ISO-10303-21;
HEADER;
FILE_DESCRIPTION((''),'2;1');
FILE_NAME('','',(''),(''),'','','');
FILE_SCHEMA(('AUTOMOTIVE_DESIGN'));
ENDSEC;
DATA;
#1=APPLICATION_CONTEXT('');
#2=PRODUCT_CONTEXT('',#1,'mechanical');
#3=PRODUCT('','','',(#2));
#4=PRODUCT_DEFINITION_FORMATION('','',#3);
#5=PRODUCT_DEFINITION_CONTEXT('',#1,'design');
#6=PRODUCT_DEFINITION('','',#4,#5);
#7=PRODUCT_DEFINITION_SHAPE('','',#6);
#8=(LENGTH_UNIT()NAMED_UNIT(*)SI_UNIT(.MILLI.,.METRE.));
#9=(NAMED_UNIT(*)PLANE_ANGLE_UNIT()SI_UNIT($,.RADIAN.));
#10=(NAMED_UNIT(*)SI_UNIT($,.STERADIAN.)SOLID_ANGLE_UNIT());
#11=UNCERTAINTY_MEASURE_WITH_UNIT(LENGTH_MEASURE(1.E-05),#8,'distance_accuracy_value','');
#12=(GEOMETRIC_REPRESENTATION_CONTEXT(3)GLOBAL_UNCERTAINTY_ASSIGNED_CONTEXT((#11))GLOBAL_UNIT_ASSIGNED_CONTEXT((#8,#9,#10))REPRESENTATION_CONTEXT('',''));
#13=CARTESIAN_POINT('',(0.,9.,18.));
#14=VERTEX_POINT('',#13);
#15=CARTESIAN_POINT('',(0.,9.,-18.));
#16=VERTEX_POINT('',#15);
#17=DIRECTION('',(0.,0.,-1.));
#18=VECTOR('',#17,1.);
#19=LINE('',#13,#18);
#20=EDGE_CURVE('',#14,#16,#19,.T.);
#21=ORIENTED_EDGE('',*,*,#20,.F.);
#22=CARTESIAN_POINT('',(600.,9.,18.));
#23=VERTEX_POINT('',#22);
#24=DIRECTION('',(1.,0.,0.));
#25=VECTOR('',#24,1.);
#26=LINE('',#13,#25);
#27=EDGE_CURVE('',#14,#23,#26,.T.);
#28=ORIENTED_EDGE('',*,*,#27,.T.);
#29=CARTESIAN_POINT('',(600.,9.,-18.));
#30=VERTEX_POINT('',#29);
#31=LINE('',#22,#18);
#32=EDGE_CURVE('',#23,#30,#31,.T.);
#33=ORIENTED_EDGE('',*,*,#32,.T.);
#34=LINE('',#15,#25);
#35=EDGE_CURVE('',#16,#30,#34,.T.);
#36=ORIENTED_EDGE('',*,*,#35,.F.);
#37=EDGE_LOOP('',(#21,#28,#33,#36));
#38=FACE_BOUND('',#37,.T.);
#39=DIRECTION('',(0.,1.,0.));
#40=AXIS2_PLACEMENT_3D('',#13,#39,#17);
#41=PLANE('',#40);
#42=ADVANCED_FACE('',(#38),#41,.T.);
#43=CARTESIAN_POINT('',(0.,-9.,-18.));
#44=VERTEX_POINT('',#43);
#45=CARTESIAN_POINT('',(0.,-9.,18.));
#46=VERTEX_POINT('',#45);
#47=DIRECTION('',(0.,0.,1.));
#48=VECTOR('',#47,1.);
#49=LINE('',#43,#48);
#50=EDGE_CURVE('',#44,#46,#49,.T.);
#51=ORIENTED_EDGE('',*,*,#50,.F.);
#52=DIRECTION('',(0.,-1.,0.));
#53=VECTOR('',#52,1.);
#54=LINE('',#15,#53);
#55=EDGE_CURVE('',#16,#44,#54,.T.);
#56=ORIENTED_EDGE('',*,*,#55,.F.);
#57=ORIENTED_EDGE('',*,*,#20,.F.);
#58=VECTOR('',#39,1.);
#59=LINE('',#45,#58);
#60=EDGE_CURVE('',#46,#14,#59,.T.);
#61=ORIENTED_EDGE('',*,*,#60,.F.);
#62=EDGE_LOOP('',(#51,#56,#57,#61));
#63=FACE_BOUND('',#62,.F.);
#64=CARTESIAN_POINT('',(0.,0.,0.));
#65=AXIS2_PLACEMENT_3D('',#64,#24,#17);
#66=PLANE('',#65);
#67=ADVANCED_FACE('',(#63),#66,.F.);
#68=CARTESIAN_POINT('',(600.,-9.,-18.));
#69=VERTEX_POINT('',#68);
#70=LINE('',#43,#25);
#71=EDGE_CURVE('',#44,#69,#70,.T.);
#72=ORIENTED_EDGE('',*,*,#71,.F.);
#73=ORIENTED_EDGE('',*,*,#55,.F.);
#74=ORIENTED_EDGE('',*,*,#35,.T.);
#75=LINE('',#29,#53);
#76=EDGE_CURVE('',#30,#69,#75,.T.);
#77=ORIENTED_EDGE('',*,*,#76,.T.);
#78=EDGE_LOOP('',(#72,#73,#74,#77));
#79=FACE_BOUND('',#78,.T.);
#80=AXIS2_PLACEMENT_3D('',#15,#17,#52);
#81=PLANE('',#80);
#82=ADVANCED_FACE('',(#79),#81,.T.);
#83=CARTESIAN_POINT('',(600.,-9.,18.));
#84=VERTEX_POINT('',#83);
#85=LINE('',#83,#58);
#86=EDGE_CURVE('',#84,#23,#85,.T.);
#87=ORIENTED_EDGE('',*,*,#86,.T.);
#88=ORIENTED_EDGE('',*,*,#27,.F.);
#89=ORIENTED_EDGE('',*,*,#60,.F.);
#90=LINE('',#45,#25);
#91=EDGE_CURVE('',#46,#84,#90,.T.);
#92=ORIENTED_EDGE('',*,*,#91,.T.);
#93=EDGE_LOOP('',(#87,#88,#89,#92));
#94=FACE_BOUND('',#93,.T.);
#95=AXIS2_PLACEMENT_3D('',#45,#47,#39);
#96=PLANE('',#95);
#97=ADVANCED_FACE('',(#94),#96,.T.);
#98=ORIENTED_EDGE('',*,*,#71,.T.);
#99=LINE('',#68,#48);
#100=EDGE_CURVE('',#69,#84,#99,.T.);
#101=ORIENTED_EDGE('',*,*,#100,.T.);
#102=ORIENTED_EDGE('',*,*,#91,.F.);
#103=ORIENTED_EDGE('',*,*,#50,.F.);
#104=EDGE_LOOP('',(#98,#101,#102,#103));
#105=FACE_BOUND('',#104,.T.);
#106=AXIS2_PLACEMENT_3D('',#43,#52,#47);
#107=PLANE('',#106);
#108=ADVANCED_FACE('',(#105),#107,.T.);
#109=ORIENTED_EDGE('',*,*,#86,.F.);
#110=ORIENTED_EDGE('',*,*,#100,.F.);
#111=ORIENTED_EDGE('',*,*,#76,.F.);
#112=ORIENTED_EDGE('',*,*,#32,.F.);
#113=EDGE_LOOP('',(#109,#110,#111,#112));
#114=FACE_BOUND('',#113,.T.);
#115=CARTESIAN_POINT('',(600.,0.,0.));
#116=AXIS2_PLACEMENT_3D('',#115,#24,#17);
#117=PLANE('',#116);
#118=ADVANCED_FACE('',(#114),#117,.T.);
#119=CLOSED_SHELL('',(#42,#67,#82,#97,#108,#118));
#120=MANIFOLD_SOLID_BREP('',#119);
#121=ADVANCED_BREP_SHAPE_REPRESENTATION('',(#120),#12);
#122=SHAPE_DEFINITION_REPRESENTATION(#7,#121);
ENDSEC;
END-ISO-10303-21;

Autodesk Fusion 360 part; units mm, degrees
sketch "Sketch1" plane through (0, 0, 0) normal (1, 0, 0) x (0, 0, -1)
  line L0 (-18, 9) -> (18, 9)
  line L1 (18, 9) -> (18, -9)
  line L2 (18, -9) -> (-18, -9)
  line L3 (-18, -9) -> (-18, 9)
  dimension "d1" = 36
  dimension "d2" = 18
extrude "Extrude1" add sketch "Sketch1" along normal blind 600
